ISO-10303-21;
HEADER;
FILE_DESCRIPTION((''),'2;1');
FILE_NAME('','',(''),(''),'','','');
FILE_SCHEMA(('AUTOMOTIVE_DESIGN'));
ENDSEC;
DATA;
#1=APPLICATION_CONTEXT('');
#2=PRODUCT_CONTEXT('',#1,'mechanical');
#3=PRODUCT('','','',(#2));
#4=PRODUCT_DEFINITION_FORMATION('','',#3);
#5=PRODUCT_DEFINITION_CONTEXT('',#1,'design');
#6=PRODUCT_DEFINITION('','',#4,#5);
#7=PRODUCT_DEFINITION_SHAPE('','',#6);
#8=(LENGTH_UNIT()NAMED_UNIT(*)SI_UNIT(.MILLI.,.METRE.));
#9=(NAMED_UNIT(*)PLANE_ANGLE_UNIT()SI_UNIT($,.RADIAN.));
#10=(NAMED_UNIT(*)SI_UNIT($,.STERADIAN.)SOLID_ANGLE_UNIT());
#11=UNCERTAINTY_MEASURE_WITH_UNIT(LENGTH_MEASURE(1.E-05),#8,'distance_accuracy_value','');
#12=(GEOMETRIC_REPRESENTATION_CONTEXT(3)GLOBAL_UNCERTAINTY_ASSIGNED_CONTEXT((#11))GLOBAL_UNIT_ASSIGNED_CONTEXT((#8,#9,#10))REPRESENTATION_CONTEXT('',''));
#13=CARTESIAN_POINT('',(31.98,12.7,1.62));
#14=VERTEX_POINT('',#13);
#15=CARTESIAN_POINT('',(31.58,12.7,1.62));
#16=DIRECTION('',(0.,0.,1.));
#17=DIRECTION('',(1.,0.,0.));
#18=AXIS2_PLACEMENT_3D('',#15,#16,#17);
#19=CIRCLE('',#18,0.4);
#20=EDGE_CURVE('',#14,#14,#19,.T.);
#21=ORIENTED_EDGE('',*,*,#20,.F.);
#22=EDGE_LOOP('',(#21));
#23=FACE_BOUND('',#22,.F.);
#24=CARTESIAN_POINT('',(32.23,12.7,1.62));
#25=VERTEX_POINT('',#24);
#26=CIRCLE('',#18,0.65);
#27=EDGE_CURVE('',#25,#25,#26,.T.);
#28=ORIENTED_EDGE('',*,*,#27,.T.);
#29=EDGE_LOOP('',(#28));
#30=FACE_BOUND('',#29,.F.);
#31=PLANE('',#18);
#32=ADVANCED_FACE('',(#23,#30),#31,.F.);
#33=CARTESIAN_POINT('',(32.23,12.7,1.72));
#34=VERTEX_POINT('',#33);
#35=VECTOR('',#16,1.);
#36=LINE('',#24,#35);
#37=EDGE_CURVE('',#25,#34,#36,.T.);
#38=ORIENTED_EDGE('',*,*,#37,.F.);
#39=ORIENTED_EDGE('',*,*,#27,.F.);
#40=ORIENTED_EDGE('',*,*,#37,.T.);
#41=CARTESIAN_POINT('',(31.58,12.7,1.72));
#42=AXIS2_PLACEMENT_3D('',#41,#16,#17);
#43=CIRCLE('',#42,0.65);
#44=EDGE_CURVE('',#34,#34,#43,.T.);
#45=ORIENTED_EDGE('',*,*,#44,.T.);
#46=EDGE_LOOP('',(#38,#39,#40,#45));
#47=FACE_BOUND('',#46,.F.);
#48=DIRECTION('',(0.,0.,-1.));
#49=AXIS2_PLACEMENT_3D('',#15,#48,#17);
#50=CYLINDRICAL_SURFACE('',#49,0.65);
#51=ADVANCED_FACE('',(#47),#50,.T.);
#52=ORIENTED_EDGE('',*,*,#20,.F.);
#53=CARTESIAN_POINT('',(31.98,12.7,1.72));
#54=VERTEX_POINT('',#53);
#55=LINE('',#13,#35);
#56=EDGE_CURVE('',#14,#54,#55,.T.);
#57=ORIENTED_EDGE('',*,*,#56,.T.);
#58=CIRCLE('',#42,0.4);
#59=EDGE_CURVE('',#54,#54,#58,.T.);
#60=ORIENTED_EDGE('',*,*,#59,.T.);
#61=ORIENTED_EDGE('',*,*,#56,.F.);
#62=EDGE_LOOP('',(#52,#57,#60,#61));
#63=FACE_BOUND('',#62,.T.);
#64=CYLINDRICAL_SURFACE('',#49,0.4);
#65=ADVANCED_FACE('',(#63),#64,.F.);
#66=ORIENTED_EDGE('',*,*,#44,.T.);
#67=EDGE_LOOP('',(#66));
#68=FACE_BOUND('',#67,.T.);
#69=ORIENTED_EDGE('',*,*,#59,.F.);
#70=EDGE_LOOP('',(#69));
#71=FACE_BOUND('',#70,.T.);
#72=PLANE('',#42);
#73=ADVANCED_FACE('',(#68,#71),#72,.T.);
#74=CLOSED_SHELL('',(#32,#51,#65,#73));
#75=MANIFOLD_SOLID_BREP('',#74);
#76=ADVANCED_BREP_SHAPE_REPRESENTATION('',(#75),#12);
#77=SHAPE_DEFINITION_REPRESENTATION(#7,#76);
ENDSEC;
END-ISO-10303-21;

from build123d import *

# Parameters (mm, degrees)
CYLINDER007_R     = 0.4
CYLINDER007_DEPTH = 0.1
CYLINDER006_R     = 0.65
CYLINDER006_DEPTH = 0.1


with BuildPart() as cylinder007:
    # Cylinder007 → Cylinder007 (new body)
    with BuildSketch(Plane.XY.offset(1.62)):
        Circle(CYLINDER007_R)
    extrude(amount=CYLINDER007_DEPTH)


with BuildPart() as cut017:
    # Cylinder006 → Cylinder006 (new body)
    with BuildSketch(Plane.XY.offset(1.62)):
        Circle(CYLINDER006_R)
    extrude(amount=CYLINDER006_DEPTH)

    # Cut017: cut Cylinder007
    add(cylinder007.part, mode=Mode.SUBTRACT)


with BuildPart() as cut017_1:
    # Cut017 placement: moved
    add(cut017.part.moved(Location((31.58, 12.7, 0))))


solid = cut017_1.part
